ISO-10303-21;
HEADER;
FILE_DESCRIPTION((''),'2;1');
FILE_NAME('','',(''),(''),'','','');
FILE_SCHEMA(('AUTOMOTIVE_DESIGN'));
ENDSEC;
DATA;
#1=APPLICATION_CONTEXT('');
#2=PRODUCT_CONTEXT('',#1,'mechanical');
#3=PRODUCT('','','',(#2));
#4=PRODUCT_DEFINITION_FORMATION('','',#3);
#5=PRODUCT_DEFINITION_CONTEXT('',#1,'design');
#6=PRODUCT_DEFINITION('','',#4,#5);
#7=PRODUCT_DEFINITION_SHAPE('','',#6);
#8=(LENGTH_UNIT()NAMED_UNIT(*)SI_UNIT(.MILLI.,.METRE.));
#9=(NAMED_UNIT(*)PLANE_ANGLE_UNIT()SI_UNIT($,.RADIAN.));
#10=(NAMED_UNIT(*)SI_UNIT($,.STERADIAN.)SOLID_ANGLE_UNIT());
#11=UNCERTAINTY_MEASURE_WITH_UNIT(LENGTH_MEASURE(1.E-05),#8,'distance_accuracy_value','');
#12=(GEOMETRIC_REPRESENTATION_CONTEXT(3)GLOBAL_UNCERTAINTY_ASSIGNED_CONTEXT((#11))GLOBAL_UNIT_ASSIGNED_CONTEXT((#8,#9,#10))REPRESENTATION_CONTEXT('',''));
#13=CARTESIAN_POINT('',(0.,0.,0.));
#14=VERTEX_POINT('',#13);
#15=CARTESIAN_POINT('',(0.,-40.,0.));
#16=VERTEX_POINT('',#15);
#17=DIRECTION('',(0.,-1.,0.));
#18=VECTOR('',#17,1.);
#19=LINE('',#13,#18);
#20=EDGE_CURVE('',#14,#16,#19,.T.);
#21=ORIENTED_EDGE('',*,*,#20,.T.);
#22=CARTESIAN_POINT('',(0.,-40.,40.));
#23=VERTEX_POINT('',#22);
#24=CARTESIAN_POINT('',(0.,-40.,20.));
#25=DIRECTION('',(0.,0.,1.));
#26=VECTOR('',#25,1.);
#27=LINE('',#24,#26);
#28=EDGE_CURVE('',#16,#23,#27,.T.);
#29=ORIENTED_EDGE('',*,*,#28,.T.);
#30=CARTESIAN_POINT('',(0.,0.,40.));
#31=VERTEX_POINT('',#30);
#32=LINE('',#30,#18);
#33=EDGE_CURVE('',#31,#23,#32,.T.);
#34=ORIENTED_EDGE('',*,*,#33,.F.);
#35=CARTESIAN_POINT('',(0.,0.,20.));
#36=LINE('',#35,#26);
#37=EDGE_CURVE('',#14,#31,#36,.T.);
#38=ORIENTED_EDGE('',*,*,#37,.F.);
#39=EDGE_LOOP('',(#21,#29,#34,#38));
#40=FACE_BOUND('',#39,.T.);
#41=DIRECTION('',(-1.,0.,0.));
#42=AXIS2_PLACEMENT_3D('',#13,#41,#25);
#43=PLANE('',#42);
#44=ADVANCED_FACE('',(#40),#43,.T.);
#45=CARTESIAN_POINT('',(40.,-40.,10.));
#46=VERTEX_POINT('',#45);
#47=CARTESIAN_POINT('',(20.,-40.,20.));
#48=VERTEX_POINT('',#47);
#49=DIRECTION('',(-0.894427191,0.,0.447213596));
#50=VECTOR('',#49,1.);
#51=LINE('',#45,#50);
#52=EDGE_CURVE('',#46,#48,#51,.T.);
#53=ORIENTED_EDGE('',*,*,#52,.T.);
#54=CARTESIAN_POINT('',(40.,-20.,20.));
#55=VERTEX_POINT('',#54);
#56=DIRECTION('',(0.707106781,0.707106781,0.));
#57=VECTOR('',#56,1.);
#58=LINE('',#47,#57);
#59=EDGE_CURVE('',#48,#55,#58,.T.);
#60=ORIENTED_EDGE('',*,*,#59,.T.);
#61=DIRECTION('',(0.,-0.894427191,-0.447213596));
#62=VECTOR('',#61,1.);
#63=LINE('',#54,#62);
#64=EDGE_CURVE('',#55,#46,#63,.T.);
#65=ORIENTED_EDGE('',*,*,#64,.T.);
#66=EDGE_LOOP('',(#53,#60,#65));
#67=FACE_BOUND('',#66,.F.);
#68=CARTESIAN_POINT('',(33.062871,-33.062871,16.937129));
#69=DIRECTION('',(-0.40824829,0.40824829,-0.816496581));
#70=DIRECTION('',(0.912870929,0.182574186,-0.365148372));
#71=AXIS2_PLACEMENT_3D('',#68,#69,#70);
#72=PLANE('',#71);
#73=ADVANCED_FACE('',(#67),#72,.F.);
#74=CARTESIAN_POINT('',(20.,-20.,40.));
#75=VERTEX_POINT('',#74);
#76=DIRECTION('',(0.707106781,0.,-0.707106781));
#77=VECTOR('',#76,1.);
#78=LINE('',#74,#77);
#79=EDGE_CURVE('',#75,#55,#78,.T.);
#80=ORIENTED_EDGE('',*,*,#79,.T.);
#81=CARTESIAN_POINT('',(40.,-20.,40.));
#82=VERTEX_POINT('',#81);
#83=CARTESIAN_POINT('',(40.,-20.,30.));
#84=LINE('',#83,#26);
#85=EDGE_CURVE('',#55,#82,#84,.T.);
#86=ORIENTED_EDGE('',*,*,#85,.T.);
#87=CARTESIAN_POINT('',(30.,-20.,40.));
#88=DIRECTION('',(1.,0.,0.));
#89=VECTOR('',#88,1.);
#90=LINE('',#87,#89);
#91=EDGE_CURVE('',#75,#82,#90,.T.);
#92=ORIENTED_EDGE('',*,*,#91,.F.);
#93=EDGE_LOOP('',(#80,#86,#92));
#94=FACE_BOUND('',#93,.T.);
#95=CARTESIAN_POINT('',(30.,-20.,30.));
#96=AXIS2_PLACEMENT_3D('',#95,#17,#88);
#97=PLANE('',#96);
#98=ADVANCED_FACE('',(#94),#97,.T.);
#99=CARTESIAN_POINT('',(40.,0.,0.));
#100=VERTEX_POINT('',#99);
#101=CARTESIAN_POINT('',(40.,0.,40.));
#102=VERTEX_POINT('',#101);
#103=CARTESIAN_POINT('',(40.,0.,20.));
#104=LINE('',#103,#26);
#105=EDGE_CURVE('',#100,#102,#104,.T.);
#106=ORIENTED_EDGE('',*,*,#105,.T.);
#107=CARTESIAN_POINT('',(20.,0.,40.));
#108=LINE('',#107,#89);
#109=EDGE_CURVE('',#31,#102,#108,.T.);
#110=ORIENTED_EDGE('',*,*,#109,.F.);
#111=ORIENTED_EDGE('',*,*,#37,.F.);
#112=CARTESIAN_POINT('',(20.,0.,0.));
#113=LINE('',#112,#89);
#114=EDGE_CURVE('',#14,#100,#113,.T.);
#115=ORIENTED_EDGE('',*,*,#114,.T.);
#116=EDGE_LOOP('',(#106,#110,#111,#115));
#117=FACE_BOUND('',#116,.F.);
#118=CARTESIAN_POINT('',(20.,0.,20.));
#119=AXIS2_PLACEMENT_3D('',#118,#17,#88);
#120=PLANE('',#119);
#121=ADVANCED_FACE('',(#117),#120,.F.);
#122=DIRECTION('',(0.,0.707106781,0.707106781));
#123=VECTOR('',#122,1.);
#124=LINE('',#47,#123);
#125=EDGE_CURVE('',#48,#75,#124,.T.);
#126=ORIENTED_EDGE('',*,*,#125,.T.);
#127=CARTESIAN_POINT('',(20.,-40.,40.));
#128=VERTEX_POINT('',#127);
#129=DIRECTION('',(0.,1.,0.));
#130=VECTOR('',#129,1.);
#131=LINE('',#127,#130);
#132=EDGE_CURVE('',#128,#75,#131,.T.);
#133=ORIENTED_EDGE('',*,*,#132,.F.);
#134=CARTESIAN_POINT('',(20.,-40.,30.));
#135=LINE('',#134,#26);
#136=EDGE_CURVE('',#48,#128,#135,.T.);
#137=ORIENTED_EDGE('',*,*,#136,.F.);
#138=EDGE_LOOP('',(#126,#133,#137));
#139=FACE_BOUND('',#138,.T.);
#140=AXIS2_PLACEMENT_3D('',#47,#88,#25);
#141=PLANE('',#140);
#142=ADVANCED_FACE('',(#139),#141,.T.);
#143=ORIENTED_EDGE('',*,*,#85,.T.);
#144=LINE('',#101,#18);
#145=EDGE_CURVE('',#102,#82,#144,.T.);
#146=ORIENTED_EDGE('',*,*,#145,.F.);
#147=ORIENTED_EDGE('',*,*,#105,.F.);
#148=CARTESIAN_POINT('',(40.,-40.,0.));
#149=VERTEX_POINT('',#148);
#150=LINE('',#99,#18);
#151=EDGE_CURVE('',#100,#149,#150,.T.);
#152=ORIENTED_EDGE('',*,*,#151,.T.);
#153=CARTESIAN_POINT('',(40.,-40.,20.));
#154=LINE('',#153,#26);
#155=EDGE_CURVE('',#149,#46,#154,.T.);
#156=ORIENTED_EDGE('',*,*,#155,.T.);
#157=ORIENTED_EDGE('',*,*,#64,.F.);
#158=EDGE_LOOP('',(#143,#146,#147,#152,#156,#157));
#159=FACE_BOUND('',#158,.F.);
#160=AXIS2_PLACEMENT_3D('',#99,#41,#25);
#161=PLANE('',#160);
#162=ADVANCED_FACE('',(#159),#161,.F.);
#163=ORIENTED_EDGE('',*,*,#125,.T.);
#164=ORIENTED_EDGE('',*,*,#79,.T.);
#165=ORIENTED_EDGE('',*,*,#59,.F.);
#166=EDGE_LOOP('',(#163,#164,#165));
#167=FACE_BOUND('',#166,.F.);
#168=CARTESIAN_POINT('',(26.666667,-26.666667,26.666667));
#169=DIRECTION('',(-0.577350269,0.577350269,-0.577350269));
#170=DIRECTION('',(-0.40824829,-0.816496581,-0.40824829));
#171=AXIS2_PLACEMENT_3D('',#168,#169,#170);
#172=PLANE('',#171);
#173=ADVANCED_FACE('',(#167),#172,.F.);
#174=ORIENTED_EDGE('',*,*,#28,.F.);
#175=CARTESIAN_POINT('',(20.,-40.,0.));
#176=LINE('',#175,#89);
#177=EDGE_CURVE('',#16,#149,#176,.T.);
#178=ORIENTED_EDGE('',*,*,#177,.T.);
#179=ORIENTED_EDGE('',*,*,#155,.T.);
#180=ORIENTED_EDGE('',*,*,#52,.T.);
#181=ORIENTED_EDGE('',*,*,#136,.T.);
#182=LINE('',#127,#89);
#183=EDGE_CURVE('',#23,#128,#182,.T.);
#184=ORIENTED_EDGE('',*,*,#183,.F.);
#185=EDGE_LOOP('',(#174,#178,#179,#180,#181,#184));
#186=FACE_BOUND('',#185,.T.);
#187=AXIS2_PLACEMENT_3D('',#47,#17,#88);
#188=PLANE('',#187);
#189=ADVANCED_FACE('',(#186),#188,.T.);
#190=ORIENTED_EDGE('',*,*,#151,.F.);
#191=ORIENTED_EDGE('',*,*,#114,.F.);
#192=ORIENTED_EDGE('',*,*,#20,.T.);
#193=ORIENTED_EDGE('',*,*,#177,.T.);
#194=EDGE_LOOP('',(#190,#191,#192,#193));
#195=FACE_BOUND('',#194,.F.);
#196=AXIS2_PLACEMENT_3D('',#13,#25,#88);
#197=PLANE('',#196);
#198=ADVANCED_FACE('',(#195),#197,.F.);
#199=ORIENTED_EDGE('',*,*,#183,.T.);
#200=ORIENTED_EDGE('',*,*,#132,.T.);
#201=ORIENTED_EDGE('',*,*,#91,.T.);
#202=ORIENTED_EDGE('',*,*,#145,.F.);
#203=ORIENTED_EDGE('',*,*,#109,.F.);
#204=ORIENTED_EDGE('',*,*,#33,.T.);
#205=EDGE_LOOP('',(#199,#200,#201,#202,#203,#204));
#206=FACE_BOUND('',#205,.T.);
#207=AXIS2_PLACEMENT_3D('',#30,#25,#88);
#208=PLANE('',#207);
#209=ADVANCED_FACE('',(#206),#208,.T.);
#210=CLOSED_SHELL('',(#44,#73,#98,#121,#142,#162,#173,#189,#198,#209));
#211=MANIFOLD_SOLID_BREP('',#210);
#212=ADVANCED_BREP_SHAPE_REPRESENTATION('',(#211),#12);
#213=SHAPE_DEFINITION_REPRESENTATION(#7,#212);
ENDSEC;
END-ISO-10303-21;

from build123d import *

# Parameters (mm, degrees)
F0_W     = 40
F0_H     = 40
F1_DEPTH = 40
F2_W     = 20
F2_H     = 20
F3_DEPTH = 20
F7_DEPTH = 24.4958974278


with BuildPart() as f1:
    # F0 (on Front) → F1 (new body)
    with BuildSketch(Plane.XZ):
        with Locations((20, 20)):
            Rectangle(F0_W, F0_H)
    extrude(amount=F1_DEPTH)

    # F2 (on face) → F3 (cut)
    with BuildSketch(Plane.XZ.offset(40)):
        with Locations((30, 30)):
            Rectangle(F2_W, F2_H)
    extrude(amount=-F3_DEPTH, mode=Mode.SUBTRACT)

    # F6 (on 3pt) → F7 (cut, through all)
    with BuildSketch(Plane(origin=(16.6666666667, -16.6666666667, 33.3333333333), x_dir=(0.9128709292, 0.1825741858, -0.3651483717), z_dir=(-0.4082482905, 0.4082482905, -0.8164965809))):
        Polygon((3.6514837167, 26.83281573), (25.5603860169, 8.94427191), (25.5603860169, 31.304951685), align=None)
    extrude(amount=-F7_DEPTH, mode=Mode.SUBTRACT)

    # F9 (on 3pt) → F10 (join, up to the next surface of F1)
    with BuildSketch(Plane(origin=(26.6666666667, -26.6666666667, 26.6666666667), x_dir=(-0.4082482905, -0.8164965809, -0.4082482905), z_dir=(-0.5773502692, 0.5773502692, -0.5773502692))):
        Polygon((16.3299316186, 0), (-8.1649658093, 14.1421356237), (-8.1649658093, -14.1421356237), align=None)
    extrude(until=Until.NEXT)


solid = f1.part
